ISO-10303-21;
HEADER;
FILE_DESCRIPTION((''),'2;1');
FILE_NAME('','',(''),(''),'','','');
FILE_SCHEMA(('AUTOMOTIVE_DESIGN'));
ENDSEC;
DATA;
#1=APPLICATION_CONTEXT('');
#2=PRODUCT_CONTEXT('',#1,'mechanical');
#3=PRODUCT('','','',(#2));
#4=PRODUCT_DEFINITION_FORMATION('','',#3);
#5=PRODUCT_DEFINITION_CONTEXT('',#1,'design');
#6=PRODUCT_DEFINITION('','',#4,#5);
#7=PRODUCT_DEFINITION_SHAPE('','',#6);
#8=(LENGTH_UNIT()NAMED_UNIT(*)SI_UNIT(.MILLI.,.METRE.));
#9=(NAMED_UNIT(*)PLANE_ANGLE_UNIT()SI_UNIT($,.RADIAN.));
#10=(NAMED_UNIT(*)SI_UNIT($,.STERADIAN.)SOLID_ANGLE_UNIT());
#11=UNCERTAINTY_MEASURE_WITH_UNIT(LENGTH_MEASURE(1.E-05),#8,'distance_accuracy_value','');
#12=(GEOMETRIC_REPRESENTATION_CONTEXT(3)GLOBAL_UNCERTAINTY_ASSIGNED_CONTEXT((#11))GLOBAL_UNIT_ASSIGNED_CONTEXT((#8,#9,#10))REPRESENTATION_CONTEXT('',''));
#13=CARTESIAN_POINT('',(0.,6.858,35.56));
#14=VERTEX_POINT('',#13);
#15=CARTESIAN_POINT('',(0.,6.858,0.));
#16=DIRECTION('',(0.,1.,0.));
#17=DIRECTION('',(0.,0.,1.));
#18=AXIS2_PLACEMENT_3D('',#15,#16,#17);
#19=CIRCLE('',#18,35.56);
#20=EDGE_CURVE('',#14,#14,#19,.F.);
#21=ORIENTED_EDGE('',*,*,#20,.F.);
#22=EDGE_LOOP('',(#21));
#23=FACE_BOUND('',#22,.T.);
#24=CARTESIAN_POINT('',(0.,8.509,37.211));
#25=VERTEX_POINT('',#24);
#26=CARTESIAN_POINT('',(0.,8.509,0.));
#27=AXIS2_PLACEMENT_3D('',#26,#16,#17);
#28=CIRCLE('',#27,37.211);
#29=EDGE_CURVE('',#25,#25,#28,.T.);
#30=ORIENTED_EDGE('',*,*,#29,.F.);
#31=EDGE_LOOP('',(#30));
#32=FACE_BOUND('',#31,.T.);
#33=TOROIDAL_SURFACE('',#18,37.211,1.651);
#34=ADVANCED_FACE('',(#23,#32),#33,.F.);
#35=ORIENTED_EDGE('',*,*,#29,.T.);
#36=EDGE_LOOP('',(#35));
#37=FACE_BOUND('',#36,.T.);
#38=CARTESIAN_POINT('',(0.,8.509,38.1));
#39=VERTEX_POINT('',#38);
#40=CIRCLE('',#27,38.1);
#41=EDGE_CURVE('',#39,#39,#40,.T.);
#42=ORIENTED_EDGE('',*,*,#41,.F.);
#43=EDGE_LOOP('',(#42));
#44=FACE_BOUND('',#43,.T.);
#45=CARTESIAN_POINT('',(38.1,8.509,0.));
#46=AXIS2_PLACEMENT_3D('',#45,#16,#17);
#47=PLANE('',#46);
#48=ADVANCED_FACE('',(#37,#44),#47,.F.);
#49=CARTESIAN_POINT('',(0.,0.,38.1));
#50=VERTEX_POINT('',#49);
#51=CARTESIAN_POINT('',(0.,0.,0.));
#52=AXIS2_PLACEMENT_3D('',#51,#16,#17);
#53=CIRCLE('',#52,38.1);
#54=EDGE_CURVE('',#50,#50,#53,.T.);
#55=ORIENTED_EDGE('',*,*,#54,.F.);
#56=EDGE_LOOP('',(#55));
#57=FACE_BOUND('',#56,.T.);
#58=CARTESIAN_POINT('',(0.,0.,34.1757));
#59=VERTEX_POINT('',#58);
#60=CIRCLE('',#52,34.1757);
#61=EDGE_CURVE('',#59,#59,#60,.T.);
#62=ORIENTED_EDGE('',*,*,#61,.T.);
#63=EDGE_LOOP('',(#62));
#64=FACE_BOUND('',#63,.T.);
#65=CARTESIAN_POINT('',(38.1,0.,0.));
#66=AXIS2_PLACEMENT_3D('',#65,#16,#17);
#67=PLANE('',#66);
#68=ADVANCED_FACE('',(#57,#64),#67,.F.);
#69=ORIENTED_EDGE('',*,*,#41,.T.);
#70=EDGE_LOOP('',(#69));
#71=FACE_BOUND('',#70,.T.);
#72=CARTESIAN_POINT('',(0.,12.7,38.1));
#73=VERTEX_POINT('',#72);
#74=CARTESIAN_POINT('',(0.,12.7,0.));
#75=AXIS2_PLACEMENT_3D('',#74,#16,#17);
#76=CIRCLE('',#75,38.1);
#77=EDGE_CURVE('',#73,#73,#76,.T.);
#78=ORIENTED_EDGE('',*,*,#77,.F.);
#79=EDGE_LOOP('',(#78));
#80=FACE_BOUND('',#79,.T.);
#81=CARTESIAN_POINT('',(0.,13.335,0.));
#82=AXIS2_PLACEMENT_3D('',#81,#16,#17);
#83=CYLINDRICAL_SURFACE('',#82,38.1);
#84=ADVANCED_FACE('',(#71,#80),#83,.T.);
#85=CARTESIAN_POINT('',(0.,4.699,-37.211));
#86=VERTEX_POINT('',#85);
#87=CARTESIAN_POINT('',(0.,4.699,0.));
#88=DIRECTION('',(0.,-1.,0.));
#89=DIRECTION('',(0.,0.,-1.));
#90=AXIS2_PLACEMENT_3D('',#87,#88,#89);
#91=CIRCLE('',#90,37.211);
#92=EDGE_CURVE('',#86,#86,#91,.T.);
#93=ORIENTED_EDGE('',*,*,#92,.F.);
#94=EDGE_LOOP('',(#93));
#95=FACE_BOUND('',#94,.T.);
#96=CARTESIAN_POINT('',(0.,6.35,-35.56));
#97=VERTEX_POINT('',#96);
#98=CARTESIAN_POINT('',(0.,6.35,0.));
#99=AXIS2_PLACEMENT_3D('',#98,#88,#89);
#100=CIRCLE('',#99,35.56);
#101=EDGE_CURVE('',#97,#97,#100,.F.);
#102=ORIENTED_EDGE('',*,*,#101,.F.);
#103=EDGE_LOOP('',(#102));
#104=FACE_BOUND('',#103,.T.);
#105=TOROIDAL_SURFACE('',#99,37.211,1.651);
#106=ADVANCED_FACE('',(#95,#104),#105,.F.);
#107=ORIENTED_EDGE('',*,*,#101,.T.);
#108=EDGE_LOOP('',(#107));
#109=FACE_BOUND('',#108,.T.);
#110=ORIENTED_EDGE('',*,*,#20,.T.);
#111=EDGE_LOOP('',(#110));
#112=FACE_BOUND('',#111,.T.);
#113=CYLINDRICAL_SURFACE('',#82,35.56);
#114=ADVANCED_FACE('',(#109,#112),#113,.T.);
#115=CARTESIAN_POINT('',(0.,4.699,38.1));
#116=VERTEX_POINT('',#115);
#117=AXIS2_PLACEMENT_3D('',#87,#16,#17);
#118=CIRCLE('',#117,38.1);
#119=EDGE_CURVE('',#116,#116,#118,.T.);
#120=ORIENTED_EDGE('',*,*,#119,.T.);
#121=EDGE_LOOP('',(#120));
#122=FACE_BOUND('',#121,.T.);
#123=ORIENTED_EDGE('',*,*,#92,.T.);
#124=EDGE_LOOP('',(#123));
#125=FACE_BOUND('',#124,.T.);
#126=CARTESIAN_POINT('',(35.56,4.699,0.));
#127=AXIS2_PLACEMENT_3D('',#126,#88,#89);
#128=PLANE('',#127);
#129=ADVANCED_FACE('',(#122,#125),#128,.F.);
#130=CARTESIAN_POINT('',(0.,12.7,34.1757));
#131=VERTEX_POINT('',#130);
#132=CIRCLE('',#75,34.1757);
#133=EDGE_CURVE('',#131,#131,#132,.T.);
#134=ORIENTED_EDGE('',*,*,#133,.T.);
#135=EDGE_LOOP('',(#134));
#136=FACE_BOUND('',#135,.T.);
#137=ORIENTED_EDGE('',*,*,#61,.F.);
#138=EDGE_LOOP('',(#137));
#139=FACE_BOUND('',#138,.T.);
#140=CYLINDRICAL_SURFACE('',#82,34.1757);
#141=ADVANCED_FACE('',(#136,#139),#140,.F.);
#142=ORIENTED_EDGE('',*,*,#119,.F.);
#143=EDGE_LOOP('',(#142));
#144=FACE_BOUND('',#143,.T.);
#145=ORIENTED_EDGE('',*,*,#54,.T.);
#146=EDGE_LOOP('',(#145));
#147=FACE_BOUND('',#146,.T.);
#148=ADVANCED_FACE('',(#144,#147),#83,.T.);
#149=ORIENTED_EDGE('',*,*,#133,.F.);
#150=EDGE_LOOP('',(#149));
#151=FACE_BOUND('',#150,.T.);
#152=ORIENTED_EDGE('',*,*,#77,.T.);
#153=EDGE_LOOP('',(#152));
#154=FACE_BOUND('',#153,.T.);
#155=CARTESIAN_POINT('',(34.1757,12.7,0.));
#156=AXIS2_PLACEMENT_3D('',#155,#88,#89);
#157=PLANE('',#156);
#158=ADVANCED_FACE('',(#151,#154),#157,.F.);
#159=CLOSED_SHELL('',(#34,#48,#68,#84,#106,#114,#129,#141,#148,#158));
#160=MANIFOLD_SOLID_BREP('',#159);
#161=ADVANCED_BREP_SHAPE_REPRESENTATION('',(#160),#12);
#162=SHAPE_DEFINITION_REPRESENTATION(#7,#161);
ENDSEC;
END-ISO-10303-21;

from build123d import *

# Parameters (mm, degrees)
FILLET1_R = 1.651


with BuildPart() as part:
    # Sketch1 → Revolve1 (revolve)
    with BuildSketch(Plane.XY):
        Polygon((34.1757, 0), (34.1757, 12.7), (38.1, 12.7), (38.1, 8.509), (35.56, 8.509), (35.56, 4.699), (38.1, 4.699), (38.1, 0), align=None)
    revolve(axis=Axis((0, 13.335, 0), (0, -1, 0)))

    # Fillet1
    fillet1_edges = [part.edges().sort_by_distance(p)[0] for p in [
        (-35.56, 4.699, 0),
        (-35.56, 8.509, 0),
    ]]
    fillet(fillet1_edges, radius=FILLET1_R)


solid = part.part
